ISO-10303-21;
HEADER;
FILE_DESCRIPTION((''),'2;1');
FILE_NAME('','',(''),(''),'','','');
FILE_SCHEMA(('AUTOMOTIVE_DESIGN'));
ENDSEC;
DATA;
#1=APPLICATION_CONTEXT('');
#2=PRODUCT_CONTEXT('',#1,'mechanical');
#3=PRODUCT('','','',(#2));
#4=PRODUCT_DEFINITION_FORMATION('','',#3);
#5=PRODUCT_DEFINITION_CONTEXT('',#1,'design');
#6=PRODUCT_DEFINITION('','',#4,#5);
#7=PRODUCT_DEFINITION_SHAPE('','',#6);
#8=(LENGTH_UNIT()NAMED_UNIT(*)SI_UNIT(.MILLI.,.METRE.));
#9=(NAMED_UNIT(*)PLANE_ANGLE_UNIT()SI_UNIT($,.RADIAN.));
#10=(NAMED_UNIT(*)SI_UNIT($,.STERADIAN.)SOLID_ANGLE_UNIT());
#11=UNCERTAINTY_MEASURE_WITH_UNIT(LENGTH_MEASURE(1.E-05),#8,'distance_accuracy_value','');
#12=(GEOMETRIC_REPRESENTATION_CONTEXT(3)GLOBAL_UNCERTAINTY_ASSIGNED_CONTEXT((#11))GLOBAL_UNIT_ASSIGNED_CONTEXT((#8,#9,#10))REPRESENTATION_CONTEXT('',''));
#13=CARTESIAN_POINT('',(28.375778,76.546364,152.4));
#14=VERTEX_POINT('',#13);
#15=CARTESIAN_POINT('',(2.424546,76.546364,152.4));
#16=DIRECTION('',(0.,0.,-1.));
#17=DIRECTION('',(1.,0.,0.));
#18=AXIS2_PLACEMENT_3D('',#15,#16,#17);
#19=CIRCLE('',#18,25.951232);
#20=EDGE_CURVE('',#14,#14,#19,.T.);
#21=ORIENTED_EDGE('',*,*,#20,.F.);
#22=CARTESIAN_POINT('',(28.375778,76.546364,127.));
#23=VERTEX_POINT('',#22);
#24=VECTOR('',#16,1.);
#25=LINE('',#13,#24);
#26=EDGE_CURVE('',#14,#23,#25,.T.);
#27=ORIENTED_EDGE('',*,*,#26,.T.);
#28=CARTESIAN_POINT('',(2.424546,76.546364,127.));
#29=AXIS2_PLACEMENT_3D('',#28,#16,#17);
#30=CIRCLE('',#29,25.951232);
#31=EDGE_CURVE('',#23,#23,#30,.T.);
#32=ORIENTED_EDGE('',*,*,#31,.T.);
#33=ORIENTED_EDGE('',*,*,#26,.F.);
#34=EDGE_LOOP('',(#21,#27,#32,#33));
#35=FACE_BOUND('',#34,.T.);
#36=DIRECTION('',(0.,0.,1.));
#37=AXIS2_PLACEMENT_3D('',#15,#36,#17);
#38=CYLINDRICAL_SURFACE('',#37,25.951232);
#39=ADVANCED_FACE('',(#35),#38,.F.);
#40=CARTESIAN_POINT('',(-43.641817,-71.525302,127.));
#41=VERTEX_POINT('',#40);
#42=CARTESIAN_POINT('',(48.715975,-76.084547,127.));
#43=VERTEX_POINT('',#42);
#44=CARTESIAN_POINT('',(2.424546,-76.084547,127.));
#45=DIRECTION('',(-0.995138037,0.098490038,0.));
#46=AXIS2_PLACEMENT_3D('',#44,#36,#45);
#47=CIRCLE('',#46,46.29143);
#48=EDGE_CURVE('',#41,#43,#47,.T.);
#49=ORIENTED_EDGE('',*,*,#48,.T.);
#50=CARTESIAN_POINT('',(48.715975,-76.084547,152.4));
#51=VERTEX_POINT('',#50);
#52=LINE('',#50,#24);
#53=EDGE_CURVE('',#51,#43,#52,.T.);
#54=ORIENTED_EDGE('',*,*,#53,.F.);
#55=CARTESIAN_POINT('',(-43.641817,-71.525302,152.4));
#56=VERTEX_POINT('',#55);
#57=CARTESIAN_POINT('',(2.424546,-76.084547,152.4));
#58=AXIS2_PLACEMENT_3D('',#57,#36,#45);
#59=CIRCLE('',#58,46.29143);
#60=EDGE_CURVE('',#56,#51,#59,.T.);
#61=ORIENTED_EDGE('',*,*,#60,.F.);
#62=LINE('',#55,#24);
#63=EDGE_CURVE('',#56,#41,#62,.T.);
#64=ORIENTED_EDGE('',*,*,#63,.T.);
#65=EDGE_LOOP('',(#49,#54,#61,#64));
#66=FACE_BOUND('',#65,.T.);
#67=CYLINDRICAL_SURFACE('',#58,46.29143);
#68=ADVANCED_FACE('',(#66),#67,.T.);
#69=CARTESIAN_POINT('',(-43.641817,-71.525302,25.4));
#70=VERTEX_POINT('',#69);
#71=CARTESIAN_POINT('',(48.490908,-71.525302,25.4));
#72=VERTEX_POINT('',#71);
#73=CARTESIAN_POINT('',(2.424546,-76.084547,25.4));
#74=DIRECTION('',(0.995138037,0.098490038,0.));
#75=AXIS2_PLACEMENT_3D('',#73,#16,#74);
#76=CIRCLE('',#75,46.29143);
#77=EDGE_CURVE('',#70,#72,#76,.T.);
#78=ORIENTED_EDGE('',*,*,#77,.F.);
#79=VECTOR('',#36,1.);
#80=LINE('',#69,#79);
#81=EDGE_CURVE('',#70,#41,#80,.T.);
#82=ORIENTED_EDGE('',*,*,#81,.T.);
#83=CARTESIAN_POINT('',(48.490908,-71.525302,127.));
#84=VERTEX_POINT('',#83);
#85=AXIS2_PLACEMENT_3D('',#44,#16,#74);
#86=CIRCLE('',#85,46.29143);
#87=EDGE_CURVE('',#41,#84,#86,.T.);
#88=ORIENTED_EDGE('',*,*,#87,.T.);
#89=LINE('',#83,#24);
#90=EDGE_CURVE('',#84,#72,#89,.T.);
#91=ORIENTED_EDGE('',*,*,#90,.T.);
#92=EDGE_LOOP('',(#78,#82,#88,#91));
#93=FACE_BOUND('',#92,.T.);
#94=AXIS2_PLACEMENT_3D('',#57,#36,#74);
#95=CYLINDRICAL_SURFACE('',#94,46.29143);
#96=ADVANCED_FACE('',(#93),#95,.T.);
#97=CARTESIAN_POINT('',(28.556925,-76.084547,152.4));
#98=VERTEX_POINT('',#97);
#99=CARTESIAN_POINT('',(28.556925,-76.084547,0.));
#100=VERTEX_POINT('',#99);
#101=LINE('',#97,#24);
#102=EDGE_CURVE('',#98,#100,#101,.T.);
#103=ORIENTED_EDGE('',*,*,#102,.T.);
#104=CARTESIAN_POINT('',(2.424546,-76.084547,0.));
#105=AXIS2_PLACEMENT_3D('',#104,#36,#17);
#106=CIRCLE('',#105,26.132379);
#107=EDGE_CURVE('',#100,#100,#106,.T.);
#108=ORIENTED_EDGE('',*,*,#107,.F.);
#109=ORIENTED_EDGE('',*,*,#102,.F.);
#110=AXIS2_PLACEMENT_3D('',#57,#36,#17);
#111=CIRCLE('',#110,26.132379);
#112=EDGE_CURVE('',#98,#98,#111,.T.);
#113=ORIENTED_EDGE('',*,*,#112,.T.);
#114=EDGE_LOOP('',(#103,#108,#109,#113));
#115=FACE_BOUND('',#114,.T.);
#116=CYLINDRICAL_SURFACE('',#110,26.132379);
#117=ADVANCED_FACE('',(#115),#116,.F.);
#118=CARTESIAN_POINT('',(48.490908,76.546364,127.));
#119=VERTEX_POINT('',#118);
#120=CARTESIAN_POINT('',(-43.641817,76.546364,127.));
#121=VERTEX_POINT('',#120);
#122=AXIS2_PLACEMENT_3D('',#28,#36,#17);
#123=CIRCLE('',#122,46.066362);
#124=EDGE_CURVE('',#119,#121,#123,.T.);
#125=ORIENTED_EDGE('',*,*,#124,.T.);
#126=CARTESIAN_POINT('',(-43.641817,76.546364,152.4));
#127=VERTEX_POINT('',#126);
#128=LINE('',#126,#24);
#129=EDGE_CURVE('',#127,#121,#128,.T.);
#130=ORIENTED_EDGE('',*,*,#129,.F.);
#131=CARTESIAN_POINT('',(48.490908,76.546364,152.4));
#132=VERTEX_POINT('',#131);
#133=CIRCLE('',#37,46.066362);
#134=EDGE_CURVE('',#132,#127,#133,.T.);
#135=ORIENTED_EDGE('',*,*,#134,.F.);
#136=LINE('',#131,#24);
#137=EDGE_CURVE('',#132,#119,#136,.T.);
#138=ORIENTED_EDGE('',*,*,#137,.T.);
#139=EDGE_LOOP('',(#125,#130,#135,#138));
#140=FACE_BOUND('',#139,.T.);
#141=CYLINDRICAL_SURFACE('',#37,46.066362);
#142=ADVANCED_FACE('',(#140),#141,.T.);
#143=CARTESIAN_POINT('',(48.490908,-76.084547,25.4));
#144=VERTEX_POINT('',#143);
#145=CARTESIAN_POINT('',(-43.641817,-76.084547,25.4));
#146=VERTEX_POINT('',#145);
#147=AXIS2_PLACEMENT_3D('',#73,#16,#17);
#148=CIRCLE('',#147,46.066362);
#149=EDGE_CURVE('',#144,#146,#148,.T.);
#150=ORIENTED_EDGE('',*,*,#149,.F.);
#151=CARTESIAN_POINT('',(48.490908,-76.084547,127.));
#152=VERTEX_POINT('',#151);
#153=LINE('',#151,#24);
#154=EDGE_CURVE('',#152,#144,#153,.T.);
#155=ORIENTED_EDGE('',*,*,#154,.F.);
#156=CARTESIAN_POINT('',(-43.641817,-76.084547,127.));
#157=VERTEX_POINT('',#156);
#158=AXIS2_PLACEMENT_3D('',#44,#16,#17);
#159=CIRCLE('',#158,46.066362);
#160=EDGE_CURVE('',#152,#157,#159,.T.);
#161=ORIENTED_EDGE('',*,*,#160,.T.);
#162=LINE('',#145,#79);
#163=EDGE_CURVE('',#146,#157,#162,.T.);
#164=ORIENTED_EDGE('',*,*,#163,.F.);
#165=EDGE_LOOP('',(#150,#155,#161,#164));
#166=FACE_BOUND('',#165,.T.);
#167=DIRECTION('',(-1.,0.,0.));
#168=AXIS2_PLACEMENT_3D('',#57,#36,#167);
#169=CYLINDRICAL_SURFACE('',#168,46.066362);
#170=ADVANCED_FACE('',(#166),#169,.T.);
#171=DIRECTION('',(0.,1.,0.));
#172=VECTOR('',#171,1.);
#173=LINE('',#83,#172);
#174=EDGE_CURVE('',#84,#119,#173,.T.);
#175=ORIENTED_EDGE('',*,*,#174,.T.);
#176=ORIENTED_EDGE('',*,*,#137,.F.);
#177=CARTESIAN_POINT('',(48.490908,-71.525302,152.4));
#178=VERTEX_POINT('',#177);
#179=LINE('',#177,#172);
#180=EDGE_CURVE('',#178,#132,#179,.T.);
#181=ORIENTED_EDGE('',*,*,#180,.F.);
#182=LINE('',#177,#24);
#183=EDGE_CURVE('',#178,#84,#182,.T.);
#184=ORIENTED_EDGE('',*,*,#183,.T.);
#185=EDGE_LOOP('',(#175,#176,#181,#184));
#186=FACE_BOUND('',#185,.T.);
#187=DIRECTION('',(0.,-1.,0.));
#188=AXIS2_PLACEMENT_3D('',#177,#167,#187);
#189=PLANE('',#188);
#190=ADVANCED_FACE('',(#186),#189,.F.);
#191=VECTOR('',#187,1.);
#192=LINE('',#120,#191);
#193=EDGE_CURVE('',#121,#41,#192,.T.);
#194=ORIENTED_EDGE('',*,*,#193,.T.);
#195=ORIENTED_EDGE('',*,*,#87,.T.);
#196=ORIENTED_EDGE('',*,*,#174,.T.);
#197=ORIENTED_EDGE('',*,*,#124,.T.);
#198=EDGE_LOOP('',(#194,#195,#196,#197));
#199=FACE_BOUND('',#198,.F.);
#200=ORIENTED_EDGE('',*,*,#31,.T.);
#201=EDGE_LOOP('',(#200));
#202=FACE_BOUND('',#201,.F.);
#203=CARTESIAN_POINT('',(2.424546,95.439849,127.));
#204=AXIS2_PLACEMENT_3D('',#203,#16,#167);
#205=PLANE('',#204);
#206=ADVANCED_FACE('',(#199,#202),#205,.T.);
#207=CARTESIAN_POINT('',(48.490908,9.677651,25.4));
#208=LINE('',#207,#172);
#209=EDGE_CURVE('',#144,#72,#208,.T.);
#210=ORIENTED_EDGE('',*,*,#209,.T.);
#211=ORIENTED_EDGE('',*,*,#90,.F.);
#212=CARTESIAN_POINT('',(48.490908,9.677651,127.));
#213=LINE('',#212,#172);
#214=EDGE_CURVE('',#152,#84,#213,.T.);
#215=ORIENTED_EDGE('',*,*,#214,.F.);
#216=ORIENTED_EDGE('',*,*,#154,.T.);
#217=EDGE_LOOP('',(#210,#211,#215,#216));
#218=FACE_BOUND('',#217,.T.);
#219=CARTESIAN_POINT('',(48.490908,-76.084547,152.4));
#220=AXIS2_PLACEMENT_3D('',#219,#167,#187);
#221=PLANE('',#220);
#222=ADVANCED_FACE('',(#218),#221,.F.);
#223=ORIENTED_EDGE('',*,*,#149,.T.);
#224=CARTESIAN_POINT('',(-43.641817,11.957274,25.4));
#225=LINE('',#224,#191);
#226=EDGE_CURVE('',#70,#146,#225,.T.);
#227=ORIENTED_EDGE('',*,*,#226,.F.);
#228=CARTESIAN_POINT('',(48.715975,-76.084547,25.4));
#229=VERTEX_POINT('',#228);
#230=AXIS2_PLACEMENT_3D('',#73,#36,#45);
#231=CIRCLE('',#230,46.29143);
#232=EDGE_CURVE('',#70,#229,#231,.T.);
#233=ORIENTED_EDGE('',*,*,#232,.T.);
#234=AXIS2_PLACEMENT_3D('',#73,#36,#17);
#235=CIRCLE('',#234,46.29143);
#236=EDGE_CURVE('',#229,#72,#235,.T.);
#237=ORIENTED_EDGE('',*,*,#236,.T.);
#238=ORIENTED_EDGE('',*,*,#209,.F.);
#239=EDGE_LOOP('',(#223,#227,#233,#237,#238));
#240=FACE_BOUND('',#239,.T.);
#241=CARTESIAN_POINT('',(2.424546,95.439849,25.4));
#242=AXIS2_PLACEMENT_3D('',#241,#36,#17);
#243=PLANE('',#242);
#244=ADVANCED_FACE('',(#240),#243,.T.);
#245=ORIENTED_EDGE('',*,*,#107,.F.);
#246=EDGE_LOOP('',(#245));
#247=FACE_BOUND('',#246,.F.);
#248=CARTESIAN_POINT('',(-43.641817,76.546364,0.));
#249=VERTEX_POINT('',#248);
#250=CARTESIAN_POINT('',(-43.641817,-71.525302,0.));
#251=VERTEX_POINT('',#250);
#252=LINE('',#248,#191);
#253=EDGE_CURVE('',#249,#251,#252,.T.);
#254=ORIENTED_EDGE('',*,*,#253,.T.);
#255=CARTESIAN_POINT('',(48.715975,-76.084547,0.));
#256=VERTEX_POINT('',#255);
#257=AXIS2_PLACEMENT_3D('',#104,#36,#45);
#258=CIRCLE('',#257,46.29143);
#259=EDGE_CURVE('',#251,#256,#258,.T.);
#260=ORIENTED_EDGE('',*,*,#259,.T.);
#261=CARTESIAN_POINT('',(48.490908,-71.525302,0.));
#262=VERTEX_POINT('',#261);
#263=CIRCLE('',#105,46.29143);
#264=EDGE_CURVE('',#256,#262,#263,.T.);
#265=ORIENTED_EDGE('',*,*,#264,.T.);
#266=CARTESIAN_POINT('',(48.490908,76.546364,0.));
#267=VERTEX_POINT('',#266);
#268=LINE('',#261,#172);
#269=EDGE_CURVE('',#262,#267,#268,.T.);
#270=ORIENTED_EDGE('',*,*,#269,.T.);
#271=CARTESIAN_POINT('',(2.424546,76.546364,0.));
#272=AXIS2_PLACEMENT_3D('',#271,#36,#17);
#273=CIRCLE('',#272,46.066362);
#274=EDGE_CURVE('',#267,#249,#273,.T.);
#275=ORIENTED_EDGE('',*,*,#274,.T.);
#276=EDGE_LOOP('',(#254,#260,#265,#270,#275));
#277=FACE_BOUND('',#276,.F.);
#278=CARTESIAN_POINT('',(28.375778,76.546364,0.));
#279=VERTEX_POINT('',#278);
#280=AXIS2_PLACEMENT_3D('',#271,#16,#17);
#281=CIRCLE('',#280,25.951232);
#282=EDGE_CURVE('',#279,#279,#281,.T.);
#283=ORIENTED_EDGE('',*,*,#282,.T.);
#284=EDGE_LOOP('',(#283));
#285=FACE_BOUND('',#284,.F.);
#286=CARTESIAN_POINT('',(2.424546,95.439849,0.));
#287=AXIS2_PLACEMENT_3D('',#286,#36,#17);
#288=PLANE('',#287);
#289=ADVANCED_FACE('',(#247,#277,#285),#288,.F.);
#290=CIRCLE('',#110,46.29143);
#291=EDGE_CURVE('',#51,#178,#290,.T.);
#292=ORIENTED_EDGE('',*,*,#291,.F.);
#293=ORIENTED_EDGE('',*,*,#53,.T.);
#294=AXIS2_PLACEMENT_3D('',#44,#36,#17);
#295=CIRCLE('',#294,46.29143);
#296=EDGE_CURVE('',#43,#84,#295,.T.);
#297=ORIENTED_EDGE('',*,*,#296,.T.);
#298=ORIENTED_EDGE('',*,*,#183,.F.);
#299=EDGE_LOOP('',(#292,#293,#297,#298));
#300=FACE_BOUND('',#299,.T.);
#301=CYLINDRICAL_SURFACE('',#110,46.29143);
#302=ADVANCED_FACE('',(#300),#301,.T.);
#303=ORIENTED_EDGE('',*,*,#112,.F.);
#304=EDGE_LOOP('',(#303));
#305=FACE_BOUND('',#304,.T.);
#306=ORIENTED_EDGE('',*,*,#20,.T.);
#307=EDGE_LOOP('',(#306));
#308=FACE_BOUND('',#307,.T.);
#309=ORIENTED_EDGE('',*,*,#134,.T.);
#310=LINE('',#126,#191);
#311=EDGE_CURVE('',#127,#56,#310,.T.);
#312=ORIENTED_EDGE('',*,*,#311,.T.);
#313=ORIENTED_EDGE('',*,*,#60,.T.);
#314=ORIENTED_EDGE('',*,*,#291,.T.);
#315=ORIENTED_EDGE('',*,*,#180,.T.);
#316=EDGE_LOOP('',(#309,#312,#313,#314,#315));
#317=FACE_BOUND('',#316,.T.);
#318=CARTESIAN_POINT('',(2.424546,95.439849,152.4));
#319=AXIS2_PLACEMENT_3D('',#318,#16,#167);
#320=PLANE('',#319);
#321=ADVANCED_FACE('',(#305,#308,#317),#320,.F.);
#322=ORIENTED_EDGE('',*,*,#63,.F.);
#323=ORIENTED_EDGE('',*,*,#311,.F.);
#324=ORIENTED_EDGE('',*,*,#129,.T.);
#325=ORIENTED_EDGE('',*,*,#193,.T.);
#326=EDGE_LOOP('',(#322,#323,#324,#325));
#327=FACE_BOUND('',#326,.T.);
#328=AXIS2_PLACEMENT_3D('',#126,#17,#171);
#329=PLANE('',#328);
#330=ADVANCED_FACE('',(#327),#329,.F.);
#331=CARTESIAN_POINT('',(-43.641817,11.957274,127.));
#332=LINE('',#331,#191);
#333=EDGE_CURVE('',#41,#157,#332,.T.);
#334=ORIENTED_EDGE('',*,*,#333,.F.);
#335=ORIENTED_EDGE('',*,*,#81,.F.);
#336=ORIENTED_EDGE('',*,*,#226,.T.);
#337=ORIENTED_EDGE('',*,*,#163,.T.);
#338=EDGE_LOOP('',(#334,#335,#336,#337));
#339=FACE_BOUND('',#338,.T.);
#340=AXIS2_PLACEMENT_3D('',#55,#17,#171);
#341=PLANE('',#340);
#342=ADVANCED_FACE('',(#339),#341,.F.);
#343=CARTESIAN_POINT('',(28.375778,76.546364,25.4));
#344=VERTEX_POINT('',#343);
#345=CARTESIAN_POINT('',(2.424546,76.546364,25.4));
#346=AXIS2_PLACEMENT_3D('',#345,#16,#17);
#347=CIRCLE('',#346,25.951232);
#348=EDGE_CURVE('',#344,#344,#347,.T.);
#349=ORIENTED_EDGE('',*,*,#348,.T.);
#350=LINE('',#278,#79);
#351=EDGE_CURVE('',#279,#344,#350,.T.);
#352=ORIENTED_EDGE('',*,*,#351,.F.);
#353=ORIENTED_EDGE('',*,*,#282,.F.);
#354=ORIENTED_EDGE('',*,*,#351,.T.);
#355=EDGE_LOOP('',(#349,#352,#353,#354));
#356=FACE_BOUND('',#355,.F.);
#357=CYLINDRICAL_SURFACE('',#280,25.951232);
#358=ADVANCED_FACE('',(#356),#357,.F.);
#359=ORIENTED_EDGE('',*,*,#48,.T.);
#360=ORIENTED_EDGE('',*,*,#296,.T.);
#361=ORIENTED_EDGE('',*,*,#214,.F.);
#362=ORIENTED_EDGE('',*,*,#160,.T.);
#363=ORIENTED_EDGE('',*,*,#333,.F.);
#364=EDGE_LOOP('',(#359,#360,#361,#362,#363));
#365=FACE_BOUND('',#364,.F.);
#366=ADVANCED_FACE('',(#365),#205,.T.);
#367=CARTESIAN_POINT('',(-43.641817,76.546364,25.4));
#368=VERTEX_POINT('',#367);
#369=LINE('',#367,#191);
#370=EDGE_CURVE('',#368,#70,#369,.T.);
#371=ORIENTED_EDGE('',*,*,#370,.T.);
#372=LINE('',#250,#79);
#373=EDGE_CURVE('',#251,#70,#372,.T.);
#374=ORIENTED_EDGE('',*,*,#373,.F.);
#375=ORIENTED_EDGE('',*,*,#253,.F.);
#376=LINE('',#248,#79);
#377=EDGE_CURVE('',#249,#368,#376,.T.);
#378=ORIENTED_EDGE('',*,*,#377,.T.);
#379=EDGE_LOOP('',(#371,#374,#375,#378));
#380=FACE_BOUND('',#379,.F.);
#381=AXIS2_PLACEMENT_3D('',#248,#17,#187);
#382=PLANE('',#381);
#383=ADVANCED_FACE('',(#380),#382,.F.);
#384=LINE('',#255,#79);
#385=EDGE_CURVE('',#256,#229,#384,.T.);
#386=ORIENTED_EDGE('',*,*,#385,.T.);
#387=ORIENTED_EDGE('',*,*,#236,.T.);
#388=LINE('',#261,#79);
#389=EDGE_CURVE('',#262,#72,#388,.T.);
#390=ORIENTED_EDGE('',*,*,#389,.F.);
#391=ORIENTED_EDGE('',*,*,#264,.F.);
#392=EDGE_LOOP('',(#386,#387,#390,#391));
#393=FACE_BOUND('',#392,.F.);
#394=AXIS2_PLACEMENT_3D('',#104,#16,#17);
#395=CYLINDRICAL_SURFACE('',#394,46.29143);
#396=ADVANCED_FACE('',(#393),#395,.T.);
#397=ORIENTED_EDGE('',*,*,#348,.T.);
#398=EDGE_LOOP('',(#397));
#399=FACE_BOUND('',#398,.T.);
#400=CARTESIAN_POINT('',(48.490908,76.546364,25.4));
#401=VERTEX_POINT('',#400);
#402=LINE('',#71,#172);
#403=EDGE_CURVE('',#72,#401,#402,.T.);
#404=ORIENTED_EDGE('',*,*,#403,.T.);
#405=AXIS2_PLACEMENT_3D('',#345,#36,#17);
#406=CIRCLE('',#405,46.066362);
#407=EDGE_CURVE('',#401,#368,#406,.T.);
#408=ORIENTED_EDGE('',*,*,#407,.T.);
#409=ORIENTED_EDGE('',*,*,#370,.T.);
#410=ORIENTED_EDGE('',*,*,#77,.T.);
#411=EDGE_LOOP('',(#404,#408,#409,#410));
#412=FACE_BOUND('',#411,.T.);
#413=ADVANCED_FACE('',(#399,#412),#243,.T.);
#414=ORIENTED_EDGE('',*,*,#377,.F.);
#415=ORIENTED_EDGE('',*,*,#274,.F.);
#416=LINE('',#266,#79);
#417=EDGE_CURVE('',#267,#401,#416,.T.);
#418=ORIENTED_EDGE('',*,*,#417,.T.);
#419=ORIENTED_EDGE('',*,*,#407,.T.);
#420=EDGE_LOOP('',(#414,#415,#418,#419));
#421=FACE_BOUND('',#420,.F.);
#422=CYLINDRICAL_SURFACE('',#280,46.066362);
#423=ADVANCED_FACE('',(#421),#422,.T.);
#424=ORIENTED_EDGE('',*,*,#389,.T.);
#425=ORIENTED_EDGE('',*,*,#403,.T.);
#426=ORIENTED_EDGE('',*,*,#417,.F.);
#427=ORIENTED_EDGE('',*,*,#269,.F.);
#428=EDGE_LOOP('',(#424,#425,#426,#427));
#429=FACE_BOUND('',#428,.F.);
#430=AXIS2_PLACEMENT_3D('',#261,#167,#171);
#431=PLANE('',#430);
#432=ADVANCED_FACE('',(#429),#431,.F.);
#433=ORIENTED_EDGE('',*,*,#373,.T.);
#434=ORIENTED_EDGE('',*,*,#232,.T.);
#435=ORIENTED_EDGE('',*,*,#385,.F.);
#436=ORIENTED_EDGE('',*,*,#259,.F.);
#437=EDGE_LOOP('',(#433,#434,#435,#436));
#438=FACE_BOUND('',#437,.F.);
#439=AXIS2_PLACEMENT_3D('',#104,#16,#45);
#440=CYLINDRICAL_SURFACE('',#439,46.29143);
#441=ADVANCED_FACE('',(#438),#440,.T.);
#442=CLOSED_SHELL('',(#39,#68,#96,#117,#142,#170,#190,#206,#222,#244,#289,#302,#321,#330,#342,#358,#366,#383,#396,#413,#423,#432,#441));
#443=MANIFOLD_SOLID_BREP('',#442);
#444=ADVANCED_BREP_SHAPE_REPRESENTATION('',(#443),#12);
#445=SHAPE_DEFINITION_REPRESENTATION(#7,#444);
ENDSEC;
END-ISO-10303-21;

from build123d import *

# Parameters (mm, degrees)
F1_DEPTH = 76.2
F2_DEPTH = 25.4


with BuildPart() as f1:
    # F0 (on Top) → F1 (new body)
    with BuildSketch(Plane.XY):
        with BuildLine():
            Line((48.4909079969, -76.0845467448), (48.4909079969, -71.5253020613))
            ThreePointArc((48.4909079969, -71.5253020613), (2.4245455861, -29.7931171077), (-43.6418168247, -71.5253020613))
            Line((-43.6418168247, -71.5253020613), (-43.6418168247, -76.0845467448))
            Line((-43.6418168247, -76.0845467448), (-23.7078333656, -76.0845467448))
            ThreePointArc((-23.7078333656, -76.0845467448), (2.4245455861, -49.9521677931), (28.5569245378, -76.0845467448))
            Line((28.5569245378, -76.0845467448), (48.4909079969, -76.0845467448))
        make_face()
        with BuildLine():
            ThreePointArc((-43.6418168247, -76.0845467448), (2.4245455861, -122.1509091556), (48.4909079969, -76.0845467448))
            Line((48.4909079969, -76.0845467448), (28.5569245378, -76.0845467448))
            ThreePointArc((28.5569245378, -76.0845467448), (2.4245455861, -102.2169256965), (-23.7078333656, -76.0845467448))
            Line((-23.7078333656, -76.0845467448), (-43.6418168247, -76.0845467448))
        make_face()
    extrude(amount=F1_DEPTH)

    # F0 (on Top) → F2 (join)
    with BuildSketch(Plane.XY):
        with BuildLine():
            ThreePointArc((-23.5266864031, 76.5463635325), (2.4245455861, 102.4975955217), (28.3757775753, 76.5463635325))
            Line((28.3757775753, 76.5463635325), (48.4909079969, 76.5463635325))
            ThreePointArc((48.4909079969, 76.5463635325), (2.4245455861, 122.6127259433), (-43.6418168247, 76.5463635325))
            Line((-43.6418168247, 76.5463635325), (-23.5266864031, 76.5463635325))
        make_face()
        with BuildLine():
            Line((48.4909079969, 76.5463635325), (28.3757775753, 76.5463635325))
            ThreePointArc((28.3757775753, 76.5463635325), (2.4245455861, 50.5951315433), (-23.5266864031, 76.5463635325))
            Line((-23.5266864031, 76.5463635325), (-43.6418168247, 76.5463635325))
            Line((-43.6418168247, 76.5463635325), (-43.6418168247, -71.5253020613))
            ThreePointArc((-43.6418168247, -71.5253020613), (2.4245455861, -29.7931171077), (48.4909079969, -71.5253020613))
            Line((48.4909079969, -71.5253020613), (48.4909079969, 76.5463635325))
        make_face()
        with BuildLine():
            ThreePointArc((48.7159752232, -76.0845467448), (48.6596741791, -73.8021484809), (48.4909079969, -71.5253020613))
            Line((48.4909079969, -71.5253020613), (48.4909079969, -76.0845467448))
            ThreePointArc((48.4909079969, -76.0845467448), (2.4245455861, -122.1509091556), (-43.6418168247, -76.0845467448))
            Line((-43.6418168247, -76.0845467448), (-43.6418168247, -71.5253020613))
            ThreePointArc((-43.6418168247, -71.5253020613), (0.1421473222, -122.3196753378), (48.7159752232, -76.0845467448))
        make_face()
        with BuildLine():
            Line((48.4909079969, -76.0845467448), (48.4909079969, -71.5253020613))
            ThreePointArc((48.4909079969, -71.5253020613), (2.4245455861, -29.7931171077), (-43.6418168247, -71.5253020613))
            Line((-43.6418168247, -71.5253020613), (-43.6418168247, -76.0845467448))
            Line((-43.6418168247, -76.0845467448), (-23.7078333656, -76.0845467448))
            ThreePointArc((-23.7078333656, -76.0845467448), (2.4245455861, -49.9521677931), (28.5569245378, -76.0845467448))
            Line((28.5569245378, -76.0845467448), (48.4909079969, -76.0845467448))
        make_face()
    extrude(amount=F2_DEPTH)

    # F3: F1 across face


with BuildPart() as f1_1:
    add(f1.part)
    add(f1.part.mirror(Plane(origin=(2.4245455861, -75.8742165299, 76.2), x_dir=(1, 0, 0), z_dir=(0, 0, 1))))


solid = f1_1.part
